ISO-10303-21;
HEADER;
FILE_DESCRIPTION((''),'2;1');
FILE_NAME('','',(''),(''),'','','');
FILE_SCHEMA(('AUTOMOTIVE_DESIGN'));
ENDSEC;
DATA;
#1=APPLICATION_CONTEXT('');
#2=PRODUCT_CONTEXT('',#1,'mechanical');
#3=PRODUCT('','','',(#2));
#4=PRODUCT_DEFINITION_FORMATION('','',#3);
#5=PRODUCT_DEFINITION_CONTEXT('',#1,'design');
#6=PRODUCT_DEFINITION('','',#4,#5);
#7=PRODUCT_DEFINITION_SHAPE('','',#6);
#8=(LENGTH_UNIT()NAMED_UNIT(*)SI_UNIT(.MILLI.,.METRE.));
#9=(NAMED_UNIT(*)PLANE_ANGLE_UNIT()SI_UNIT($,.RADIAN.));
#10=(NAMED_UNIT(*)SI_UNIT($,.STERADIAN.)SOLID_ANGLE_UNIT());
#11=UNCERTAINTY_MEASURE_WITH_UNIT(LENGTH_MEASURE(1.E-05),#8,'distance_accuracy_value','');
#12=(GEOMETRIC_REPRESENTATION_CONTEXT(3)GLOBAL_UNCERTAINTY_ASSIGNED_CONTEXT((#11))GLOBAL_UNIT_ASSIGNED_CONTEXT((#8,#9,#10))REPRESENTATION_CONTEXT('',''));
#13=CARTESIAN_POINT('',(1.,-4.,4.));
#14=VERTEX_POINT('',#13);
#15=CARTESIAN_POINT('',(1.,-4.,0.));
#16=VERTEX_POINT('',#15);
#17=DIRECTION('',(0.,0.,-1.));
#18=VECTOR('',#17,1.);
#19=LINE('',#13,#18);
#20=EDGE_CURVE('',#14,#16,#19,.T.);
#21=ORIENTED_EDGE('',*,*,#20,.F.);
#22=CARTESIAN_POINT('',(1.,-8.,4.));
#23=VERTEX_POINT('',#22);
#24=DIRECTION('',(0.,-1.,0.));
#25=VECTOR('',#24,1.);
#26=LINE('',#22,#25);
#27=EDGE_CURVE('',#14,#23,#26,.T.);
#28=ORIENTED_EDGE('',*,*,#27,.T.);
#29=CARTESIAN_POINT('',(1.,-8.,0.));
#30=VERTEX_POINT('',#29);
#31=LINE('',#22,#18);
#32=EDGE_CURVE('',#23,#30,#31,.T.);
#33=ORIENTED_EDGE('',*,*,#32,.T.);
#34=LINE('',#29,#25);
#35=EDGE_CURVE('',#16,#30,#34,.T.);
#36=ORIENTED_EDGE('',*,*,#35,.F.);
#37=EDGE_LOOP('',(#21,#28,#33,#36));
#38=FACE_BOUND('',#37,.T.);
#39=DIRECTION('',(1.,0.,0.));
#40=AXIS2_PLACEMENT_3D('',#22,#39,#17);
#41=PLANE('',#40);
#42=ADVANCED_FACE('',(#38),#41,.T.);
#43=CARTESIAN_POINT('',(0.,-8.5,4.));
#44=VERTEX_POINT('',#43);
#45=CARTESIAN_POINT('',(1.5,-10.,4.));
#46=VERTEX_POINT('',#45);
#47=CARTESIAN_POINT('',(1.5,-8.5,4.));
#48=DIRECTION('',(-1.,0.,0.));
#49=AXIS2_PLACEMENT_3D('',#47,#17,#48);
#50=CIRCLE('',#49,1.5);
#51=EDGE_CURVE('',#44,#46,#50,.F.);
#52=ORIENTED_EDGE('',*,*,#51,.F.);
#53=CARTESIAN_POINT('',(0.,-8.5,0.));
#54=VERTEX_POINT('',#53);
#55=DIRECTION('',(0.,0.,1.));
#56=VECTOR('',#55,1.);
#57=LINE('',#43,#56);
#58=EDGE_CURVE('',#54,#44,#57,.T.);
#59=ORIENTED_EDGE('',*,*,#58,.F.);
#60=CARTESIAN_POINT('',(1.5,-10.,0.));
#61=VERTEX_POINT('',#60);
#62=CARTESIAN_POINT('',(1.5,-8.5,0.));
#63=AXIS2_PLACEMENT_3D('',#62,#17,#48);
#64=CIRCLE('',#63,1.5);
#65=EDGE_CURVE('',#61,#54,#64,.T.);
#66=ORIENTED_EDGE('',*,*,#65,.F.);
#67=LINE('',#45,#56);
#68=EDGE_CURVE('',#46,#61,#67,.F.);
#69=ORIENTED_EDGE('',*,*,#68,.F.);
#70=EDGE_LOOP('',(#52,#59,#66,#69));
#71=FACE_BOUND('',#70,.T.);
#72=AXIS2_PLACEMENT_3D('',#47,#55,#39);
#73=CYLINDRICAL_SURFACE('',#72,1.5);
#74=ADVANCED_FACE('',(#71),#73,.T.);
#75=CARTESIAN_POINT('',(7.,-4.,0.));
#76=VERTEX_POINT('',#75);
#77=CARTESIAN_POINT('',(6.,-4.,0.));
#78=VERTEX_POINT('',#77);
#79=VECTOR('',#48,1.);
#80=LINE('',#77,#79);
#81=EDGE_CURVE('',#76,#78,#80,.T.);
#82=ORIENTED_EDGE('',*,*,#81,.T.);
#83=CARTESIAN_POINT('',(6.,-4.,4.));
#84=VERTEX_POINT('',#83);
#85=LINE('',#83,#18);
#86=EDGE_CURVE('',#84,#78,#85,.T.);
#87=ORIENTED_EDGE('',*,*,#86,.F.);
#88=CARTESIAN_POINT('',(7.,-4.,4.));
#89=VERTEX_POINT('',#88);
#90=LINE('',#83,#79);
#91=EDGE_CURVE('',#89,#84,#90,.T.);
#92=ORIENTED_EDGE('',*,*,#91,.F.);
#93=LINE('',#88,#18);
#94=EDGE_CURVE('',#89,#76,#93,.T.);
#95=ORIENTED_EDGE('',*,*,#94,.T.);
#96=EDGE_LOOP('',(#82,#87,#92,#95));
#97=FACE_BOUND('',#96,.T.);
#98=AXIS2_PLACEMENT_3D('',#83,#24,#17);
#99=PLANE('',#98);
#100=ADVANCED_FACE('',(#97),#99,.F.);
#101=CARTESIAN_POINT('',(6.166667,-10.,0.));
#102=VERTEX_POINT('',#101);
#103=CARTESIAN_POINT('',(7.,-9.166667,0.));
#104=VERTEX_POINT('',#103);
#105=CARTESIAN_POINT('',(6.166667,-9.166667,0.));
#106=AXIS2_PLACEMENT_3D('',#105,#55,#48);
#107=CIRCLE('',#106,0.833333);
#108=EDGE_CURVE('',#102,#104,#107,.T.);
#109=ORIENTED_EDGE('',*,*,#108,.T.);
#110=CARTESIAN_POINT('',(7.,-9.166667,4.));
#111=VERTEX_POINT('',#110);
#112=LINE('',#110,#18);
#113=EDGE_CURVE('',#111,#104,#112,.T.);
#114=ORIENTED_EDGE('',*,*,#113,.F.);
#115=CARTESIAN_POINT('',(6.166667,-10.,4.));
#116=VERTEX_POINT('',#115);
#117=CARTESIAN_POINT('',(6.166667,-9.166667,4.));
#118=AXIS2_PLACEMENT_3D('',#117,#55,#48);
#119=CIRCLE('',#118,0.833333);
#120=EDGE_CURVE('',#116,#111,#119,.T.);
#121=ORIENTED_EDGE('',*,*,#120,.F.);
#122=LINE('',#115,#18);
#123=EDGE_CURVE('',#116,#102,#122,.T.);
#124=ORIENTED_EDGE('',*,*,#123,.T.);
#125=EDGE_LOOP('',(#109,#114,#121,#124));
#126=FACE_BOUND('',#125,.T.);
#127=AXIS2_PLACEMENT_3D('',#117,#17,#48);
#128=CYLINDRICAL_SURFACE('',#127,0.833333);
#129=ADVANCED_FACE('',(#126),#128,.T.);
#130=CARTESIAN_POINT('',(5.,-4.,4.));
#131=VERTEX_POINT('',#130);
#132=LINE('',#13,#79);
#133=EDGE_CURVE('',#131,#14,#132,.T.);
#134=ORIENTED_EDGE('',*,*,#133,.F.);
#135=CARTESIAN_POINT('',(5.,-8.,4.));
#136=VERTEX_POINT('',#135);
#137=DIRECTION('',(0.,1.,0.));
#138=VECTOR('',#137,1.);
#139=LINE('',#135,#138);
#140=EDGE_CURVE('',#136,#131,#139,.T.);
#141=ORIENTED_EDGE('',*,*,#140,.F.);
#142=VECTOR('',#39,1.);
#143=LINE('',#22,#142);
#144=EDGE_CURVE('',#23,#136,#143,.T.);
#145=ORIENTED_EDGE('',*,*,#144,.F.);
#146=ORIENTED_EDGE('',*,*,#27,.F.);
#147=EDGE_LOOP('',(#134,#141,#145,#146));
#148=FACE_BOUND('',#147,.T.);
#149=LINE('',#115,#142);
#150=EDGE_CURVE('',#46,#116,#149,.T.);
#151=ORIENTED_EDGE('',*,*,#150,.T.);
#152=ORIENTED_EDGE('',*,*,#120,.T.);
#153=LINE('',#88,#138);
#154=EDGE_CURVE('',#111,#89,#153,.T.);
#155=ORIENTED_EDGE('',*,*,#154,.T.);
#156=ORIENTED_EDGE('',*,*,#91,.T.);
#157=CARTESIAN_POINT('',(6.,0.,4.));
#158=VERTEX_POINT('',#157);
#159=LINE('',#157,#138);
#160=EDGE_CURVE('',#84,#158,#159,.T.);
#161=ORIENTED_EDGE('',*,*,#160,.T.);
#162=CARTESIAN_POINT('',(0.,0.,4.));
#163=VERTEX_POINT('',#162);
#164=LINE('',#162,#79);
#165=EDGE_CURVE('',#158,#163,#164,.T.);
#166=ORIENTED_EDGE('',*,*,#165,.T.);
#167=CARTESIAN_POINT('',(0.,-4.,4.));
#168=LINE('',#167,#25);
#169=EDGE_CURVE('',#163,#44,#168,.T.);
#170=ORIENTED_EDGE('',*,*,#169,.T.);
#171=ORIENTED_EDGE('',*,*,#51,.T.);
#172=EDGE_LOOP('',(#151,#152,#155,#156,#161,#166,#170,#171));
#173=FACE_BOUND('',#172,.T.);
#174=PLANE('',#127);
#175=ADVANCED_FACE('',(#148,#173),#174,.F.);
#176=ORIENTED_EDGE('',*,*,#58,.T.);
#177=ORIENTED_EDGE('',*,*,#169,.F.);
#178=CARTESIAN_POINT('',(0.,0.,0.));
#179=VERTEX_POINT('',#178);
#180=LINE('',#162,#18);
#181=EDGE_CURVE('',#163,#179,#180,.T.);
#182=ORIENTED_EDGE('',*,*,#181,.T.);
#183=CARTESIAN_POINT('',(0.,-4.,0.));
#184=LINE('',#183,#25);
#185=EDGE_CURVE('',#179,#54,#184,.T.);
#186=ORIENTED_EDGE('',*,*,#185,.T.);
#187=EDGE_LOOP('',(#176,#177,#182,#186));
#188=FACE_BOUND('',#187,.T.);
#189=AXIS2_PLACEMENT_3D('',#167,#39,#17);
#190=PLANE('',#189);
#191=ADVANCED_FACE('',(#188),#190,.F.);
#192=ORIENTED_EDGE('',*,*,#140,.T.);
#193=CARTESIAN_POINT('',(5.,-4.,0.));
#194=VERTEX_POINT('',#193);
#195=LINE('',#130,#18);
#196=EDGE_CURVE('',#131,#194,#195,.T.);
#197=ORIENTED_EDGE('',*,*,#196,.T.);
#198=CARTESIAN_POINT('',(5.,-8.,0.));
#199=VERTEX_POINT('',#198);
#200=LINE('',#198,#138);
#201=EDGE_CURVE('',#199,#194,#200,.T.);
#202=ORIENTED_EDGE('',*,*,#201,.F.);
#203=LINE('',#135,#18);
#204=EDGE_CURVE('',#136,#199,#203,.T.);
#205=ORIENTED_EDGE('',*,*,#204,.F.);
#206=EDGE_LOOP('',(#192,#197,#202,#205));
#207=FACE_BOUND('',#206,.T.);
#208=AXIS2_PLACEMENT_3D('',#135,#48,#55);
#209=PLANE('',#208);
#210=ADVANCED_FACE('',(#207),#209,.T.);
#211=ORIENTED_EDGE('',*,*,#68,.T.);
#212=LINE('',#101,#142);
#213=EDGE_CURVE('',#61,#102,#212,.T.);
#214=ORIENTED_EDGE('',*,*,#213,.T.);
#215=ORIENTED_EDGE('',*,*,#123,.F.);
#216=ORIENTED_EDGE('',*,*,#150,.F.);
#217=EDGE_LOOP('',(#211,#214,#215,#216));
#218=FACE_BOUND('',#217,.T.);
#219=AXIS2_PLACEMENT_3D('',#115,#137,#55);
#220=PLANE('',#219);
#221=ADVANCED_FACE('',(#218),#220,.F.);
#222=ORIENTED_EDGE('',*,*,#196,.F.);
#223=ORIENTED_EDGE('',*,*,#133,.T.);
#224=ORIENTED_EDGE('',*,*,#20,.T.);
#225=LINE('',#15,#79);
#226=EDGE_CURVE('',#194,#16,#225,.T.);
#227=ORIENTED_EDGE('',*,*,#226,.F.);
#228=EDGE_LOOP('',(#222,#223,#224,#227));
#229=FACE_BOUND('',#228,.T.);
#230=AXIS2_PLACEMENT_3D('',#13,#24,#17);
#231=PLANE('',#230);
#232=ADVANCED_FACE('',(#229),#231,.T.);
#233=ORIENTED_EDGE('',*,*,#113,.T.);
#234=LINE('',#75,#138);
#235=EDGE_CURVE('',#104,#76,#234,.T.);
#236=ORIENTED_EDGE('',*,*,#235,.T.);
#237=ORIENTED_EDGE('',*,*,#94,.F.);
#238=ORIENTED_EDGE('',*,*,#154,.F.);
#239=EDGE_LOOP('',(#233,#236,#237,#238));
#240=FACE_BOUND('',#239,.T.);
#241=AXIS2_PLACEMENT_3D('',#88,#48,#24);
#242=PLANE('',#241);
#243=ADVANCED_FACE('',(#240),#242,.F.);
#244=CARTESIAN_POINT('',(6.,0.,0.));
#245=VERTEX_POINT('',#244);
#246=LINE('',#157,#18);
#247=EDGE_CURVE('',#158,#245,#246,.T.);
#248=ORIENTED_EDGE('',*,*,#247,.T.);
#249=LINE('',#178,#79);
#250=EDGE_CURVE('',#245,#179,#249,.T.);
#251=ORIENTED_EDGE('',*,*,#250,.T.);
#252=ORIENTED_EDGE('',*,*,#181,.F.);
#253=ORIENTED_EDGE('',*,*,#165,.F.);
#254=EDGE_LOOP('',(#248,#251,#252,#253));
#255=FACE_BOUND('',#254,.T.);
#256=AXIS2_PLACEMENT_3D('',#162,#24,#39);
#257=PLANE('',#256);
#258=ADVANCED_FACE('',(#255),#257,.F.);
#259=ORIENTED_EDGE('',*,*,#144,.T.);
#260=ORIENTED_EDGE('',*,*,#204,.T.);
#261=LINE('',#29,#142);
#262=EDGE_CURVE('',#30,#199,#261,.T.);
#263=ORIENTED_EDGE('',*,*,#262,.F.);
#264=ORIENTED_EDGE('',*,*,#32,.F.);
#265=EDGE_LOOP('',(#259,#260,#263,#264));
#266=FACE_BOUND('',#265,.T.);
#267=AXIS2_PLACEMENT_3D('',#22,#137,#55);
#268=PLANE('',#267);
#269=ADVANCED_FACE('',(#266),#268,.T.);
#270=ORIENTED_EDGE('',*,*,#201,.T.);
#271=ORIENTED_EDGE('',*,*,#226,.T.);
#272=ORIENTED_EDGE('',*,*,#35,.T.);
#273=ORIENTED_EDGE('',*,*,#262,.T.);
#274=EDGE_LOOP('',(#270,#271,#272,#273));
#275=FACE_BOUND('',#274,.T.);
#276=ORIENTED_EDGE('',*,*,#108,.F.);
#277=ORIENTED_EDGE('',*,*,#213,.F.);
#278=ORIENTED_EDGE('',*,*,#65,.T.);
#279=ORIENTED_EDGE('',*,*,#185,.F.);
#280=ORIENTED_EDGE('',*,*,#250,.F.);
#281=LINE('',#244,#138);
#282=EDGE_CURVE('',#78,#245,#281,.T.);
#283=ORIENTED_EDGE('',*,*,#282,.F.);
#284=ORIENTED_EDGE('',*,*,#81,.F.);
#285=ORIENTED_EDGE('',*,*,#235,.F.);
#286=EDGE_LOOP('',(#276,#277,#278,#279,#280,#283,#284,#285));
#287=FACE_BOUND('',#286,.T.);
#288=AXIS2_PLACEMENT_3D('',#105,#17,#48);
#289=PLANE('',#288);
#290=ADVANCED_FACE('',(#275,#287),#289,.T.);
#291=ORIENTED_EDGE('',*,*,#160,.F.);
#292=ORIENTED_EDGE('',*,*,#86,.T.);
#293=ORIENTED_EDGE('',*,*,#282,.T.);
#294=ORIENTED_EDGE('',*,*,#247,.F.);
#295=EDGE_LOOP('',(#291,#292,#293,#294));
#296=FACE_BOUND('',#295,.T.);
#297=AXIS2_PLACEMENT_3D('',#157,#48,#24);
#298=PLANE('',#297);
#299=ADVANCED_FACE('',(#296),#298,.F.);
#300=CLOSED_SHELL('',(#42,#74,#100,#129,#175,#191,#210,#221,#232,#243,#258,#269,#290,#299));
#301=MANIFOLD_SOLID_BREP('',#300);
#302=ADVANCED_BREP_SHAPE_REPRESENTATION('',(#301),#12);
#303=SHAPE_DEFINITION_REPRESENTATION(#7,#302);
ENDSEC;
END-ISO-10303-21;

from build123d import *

# Parameters (mm, degrees)
ESQUISSE1_W             = 4
ESQUISSE1_H             = 4
BOSS_EXTRU_1_DEPTH      = 4
ENL_V_MAT_EXTRU_1_REACH = 14.845
CONG_2_R                = 1.5


with BuildPart() as part:
    # Esquisse1 → Boss.-Extru.1 (new body)
    with BuildSketch(Plane.XY):
        with BuildLine():
            Line((0, 0), (6, 0))
            Line((6, 0), (6, -4))
            Line((6, -4), (7, -4))
            Line((7, -4), (7, -9.166666667))
            ThreePointArc((7, -9.166666667), (6.755922318, -9.755922318), (6.166666667, -10))
            Line((6.166666667, -10), (-0.166666667, -10))
            ThreePointArc((-0.166666667, -10), (-0.755922318, -9.755922318), (-1, -9.166666667))
            Line((-1, -9.166666667), (-1, -4))
            Line((-1, -4), (0, -4))
            Line((0, -4), (0, 0))
        make_face()
        with Locations((3, -6)):
            Rectangle(ESQUISSE1_W, ESQUISSE1_H, mode=Mode.SUBTRACT)
    extrude(amount=BOSS_EXTRU_1_DEPTH)

    # Esquisse2 → Enlèv. mat.-Extru.1 (cut, up to next)
    with BuildSketch(Plane.XY.offset(4), mode=Mode.PRIVATE) as enl_v_mat_extru_1_sk1:
        Polygon((0, 0), (0, -10.686908442), (-3.147637421, -9.875475315), (-3.03761259, -0.798426774), align=None)
    enl_v_mat_extru_1_tool1 = extrude(enl_v_mat_extru_1_sk1.sketch, amount=-ENL_V_MAT_EXTRU_1_REACH, mode=Mode.PRIVATE) & part.part
    add(enl_v_mat_extru_1_tool1.solids().sort_by_distance((-1.504511, -5.371974, 4))[0], mode=Mode.SUBTRACT)

    # Congé2
    cong_2_edges = [part.edges().sort_by_distance(p)[0] for p in [
        (0, -10, 2),
    ]]
    fillet(cong_2_edges, radius=CONG_2_R)


solid = part.part
